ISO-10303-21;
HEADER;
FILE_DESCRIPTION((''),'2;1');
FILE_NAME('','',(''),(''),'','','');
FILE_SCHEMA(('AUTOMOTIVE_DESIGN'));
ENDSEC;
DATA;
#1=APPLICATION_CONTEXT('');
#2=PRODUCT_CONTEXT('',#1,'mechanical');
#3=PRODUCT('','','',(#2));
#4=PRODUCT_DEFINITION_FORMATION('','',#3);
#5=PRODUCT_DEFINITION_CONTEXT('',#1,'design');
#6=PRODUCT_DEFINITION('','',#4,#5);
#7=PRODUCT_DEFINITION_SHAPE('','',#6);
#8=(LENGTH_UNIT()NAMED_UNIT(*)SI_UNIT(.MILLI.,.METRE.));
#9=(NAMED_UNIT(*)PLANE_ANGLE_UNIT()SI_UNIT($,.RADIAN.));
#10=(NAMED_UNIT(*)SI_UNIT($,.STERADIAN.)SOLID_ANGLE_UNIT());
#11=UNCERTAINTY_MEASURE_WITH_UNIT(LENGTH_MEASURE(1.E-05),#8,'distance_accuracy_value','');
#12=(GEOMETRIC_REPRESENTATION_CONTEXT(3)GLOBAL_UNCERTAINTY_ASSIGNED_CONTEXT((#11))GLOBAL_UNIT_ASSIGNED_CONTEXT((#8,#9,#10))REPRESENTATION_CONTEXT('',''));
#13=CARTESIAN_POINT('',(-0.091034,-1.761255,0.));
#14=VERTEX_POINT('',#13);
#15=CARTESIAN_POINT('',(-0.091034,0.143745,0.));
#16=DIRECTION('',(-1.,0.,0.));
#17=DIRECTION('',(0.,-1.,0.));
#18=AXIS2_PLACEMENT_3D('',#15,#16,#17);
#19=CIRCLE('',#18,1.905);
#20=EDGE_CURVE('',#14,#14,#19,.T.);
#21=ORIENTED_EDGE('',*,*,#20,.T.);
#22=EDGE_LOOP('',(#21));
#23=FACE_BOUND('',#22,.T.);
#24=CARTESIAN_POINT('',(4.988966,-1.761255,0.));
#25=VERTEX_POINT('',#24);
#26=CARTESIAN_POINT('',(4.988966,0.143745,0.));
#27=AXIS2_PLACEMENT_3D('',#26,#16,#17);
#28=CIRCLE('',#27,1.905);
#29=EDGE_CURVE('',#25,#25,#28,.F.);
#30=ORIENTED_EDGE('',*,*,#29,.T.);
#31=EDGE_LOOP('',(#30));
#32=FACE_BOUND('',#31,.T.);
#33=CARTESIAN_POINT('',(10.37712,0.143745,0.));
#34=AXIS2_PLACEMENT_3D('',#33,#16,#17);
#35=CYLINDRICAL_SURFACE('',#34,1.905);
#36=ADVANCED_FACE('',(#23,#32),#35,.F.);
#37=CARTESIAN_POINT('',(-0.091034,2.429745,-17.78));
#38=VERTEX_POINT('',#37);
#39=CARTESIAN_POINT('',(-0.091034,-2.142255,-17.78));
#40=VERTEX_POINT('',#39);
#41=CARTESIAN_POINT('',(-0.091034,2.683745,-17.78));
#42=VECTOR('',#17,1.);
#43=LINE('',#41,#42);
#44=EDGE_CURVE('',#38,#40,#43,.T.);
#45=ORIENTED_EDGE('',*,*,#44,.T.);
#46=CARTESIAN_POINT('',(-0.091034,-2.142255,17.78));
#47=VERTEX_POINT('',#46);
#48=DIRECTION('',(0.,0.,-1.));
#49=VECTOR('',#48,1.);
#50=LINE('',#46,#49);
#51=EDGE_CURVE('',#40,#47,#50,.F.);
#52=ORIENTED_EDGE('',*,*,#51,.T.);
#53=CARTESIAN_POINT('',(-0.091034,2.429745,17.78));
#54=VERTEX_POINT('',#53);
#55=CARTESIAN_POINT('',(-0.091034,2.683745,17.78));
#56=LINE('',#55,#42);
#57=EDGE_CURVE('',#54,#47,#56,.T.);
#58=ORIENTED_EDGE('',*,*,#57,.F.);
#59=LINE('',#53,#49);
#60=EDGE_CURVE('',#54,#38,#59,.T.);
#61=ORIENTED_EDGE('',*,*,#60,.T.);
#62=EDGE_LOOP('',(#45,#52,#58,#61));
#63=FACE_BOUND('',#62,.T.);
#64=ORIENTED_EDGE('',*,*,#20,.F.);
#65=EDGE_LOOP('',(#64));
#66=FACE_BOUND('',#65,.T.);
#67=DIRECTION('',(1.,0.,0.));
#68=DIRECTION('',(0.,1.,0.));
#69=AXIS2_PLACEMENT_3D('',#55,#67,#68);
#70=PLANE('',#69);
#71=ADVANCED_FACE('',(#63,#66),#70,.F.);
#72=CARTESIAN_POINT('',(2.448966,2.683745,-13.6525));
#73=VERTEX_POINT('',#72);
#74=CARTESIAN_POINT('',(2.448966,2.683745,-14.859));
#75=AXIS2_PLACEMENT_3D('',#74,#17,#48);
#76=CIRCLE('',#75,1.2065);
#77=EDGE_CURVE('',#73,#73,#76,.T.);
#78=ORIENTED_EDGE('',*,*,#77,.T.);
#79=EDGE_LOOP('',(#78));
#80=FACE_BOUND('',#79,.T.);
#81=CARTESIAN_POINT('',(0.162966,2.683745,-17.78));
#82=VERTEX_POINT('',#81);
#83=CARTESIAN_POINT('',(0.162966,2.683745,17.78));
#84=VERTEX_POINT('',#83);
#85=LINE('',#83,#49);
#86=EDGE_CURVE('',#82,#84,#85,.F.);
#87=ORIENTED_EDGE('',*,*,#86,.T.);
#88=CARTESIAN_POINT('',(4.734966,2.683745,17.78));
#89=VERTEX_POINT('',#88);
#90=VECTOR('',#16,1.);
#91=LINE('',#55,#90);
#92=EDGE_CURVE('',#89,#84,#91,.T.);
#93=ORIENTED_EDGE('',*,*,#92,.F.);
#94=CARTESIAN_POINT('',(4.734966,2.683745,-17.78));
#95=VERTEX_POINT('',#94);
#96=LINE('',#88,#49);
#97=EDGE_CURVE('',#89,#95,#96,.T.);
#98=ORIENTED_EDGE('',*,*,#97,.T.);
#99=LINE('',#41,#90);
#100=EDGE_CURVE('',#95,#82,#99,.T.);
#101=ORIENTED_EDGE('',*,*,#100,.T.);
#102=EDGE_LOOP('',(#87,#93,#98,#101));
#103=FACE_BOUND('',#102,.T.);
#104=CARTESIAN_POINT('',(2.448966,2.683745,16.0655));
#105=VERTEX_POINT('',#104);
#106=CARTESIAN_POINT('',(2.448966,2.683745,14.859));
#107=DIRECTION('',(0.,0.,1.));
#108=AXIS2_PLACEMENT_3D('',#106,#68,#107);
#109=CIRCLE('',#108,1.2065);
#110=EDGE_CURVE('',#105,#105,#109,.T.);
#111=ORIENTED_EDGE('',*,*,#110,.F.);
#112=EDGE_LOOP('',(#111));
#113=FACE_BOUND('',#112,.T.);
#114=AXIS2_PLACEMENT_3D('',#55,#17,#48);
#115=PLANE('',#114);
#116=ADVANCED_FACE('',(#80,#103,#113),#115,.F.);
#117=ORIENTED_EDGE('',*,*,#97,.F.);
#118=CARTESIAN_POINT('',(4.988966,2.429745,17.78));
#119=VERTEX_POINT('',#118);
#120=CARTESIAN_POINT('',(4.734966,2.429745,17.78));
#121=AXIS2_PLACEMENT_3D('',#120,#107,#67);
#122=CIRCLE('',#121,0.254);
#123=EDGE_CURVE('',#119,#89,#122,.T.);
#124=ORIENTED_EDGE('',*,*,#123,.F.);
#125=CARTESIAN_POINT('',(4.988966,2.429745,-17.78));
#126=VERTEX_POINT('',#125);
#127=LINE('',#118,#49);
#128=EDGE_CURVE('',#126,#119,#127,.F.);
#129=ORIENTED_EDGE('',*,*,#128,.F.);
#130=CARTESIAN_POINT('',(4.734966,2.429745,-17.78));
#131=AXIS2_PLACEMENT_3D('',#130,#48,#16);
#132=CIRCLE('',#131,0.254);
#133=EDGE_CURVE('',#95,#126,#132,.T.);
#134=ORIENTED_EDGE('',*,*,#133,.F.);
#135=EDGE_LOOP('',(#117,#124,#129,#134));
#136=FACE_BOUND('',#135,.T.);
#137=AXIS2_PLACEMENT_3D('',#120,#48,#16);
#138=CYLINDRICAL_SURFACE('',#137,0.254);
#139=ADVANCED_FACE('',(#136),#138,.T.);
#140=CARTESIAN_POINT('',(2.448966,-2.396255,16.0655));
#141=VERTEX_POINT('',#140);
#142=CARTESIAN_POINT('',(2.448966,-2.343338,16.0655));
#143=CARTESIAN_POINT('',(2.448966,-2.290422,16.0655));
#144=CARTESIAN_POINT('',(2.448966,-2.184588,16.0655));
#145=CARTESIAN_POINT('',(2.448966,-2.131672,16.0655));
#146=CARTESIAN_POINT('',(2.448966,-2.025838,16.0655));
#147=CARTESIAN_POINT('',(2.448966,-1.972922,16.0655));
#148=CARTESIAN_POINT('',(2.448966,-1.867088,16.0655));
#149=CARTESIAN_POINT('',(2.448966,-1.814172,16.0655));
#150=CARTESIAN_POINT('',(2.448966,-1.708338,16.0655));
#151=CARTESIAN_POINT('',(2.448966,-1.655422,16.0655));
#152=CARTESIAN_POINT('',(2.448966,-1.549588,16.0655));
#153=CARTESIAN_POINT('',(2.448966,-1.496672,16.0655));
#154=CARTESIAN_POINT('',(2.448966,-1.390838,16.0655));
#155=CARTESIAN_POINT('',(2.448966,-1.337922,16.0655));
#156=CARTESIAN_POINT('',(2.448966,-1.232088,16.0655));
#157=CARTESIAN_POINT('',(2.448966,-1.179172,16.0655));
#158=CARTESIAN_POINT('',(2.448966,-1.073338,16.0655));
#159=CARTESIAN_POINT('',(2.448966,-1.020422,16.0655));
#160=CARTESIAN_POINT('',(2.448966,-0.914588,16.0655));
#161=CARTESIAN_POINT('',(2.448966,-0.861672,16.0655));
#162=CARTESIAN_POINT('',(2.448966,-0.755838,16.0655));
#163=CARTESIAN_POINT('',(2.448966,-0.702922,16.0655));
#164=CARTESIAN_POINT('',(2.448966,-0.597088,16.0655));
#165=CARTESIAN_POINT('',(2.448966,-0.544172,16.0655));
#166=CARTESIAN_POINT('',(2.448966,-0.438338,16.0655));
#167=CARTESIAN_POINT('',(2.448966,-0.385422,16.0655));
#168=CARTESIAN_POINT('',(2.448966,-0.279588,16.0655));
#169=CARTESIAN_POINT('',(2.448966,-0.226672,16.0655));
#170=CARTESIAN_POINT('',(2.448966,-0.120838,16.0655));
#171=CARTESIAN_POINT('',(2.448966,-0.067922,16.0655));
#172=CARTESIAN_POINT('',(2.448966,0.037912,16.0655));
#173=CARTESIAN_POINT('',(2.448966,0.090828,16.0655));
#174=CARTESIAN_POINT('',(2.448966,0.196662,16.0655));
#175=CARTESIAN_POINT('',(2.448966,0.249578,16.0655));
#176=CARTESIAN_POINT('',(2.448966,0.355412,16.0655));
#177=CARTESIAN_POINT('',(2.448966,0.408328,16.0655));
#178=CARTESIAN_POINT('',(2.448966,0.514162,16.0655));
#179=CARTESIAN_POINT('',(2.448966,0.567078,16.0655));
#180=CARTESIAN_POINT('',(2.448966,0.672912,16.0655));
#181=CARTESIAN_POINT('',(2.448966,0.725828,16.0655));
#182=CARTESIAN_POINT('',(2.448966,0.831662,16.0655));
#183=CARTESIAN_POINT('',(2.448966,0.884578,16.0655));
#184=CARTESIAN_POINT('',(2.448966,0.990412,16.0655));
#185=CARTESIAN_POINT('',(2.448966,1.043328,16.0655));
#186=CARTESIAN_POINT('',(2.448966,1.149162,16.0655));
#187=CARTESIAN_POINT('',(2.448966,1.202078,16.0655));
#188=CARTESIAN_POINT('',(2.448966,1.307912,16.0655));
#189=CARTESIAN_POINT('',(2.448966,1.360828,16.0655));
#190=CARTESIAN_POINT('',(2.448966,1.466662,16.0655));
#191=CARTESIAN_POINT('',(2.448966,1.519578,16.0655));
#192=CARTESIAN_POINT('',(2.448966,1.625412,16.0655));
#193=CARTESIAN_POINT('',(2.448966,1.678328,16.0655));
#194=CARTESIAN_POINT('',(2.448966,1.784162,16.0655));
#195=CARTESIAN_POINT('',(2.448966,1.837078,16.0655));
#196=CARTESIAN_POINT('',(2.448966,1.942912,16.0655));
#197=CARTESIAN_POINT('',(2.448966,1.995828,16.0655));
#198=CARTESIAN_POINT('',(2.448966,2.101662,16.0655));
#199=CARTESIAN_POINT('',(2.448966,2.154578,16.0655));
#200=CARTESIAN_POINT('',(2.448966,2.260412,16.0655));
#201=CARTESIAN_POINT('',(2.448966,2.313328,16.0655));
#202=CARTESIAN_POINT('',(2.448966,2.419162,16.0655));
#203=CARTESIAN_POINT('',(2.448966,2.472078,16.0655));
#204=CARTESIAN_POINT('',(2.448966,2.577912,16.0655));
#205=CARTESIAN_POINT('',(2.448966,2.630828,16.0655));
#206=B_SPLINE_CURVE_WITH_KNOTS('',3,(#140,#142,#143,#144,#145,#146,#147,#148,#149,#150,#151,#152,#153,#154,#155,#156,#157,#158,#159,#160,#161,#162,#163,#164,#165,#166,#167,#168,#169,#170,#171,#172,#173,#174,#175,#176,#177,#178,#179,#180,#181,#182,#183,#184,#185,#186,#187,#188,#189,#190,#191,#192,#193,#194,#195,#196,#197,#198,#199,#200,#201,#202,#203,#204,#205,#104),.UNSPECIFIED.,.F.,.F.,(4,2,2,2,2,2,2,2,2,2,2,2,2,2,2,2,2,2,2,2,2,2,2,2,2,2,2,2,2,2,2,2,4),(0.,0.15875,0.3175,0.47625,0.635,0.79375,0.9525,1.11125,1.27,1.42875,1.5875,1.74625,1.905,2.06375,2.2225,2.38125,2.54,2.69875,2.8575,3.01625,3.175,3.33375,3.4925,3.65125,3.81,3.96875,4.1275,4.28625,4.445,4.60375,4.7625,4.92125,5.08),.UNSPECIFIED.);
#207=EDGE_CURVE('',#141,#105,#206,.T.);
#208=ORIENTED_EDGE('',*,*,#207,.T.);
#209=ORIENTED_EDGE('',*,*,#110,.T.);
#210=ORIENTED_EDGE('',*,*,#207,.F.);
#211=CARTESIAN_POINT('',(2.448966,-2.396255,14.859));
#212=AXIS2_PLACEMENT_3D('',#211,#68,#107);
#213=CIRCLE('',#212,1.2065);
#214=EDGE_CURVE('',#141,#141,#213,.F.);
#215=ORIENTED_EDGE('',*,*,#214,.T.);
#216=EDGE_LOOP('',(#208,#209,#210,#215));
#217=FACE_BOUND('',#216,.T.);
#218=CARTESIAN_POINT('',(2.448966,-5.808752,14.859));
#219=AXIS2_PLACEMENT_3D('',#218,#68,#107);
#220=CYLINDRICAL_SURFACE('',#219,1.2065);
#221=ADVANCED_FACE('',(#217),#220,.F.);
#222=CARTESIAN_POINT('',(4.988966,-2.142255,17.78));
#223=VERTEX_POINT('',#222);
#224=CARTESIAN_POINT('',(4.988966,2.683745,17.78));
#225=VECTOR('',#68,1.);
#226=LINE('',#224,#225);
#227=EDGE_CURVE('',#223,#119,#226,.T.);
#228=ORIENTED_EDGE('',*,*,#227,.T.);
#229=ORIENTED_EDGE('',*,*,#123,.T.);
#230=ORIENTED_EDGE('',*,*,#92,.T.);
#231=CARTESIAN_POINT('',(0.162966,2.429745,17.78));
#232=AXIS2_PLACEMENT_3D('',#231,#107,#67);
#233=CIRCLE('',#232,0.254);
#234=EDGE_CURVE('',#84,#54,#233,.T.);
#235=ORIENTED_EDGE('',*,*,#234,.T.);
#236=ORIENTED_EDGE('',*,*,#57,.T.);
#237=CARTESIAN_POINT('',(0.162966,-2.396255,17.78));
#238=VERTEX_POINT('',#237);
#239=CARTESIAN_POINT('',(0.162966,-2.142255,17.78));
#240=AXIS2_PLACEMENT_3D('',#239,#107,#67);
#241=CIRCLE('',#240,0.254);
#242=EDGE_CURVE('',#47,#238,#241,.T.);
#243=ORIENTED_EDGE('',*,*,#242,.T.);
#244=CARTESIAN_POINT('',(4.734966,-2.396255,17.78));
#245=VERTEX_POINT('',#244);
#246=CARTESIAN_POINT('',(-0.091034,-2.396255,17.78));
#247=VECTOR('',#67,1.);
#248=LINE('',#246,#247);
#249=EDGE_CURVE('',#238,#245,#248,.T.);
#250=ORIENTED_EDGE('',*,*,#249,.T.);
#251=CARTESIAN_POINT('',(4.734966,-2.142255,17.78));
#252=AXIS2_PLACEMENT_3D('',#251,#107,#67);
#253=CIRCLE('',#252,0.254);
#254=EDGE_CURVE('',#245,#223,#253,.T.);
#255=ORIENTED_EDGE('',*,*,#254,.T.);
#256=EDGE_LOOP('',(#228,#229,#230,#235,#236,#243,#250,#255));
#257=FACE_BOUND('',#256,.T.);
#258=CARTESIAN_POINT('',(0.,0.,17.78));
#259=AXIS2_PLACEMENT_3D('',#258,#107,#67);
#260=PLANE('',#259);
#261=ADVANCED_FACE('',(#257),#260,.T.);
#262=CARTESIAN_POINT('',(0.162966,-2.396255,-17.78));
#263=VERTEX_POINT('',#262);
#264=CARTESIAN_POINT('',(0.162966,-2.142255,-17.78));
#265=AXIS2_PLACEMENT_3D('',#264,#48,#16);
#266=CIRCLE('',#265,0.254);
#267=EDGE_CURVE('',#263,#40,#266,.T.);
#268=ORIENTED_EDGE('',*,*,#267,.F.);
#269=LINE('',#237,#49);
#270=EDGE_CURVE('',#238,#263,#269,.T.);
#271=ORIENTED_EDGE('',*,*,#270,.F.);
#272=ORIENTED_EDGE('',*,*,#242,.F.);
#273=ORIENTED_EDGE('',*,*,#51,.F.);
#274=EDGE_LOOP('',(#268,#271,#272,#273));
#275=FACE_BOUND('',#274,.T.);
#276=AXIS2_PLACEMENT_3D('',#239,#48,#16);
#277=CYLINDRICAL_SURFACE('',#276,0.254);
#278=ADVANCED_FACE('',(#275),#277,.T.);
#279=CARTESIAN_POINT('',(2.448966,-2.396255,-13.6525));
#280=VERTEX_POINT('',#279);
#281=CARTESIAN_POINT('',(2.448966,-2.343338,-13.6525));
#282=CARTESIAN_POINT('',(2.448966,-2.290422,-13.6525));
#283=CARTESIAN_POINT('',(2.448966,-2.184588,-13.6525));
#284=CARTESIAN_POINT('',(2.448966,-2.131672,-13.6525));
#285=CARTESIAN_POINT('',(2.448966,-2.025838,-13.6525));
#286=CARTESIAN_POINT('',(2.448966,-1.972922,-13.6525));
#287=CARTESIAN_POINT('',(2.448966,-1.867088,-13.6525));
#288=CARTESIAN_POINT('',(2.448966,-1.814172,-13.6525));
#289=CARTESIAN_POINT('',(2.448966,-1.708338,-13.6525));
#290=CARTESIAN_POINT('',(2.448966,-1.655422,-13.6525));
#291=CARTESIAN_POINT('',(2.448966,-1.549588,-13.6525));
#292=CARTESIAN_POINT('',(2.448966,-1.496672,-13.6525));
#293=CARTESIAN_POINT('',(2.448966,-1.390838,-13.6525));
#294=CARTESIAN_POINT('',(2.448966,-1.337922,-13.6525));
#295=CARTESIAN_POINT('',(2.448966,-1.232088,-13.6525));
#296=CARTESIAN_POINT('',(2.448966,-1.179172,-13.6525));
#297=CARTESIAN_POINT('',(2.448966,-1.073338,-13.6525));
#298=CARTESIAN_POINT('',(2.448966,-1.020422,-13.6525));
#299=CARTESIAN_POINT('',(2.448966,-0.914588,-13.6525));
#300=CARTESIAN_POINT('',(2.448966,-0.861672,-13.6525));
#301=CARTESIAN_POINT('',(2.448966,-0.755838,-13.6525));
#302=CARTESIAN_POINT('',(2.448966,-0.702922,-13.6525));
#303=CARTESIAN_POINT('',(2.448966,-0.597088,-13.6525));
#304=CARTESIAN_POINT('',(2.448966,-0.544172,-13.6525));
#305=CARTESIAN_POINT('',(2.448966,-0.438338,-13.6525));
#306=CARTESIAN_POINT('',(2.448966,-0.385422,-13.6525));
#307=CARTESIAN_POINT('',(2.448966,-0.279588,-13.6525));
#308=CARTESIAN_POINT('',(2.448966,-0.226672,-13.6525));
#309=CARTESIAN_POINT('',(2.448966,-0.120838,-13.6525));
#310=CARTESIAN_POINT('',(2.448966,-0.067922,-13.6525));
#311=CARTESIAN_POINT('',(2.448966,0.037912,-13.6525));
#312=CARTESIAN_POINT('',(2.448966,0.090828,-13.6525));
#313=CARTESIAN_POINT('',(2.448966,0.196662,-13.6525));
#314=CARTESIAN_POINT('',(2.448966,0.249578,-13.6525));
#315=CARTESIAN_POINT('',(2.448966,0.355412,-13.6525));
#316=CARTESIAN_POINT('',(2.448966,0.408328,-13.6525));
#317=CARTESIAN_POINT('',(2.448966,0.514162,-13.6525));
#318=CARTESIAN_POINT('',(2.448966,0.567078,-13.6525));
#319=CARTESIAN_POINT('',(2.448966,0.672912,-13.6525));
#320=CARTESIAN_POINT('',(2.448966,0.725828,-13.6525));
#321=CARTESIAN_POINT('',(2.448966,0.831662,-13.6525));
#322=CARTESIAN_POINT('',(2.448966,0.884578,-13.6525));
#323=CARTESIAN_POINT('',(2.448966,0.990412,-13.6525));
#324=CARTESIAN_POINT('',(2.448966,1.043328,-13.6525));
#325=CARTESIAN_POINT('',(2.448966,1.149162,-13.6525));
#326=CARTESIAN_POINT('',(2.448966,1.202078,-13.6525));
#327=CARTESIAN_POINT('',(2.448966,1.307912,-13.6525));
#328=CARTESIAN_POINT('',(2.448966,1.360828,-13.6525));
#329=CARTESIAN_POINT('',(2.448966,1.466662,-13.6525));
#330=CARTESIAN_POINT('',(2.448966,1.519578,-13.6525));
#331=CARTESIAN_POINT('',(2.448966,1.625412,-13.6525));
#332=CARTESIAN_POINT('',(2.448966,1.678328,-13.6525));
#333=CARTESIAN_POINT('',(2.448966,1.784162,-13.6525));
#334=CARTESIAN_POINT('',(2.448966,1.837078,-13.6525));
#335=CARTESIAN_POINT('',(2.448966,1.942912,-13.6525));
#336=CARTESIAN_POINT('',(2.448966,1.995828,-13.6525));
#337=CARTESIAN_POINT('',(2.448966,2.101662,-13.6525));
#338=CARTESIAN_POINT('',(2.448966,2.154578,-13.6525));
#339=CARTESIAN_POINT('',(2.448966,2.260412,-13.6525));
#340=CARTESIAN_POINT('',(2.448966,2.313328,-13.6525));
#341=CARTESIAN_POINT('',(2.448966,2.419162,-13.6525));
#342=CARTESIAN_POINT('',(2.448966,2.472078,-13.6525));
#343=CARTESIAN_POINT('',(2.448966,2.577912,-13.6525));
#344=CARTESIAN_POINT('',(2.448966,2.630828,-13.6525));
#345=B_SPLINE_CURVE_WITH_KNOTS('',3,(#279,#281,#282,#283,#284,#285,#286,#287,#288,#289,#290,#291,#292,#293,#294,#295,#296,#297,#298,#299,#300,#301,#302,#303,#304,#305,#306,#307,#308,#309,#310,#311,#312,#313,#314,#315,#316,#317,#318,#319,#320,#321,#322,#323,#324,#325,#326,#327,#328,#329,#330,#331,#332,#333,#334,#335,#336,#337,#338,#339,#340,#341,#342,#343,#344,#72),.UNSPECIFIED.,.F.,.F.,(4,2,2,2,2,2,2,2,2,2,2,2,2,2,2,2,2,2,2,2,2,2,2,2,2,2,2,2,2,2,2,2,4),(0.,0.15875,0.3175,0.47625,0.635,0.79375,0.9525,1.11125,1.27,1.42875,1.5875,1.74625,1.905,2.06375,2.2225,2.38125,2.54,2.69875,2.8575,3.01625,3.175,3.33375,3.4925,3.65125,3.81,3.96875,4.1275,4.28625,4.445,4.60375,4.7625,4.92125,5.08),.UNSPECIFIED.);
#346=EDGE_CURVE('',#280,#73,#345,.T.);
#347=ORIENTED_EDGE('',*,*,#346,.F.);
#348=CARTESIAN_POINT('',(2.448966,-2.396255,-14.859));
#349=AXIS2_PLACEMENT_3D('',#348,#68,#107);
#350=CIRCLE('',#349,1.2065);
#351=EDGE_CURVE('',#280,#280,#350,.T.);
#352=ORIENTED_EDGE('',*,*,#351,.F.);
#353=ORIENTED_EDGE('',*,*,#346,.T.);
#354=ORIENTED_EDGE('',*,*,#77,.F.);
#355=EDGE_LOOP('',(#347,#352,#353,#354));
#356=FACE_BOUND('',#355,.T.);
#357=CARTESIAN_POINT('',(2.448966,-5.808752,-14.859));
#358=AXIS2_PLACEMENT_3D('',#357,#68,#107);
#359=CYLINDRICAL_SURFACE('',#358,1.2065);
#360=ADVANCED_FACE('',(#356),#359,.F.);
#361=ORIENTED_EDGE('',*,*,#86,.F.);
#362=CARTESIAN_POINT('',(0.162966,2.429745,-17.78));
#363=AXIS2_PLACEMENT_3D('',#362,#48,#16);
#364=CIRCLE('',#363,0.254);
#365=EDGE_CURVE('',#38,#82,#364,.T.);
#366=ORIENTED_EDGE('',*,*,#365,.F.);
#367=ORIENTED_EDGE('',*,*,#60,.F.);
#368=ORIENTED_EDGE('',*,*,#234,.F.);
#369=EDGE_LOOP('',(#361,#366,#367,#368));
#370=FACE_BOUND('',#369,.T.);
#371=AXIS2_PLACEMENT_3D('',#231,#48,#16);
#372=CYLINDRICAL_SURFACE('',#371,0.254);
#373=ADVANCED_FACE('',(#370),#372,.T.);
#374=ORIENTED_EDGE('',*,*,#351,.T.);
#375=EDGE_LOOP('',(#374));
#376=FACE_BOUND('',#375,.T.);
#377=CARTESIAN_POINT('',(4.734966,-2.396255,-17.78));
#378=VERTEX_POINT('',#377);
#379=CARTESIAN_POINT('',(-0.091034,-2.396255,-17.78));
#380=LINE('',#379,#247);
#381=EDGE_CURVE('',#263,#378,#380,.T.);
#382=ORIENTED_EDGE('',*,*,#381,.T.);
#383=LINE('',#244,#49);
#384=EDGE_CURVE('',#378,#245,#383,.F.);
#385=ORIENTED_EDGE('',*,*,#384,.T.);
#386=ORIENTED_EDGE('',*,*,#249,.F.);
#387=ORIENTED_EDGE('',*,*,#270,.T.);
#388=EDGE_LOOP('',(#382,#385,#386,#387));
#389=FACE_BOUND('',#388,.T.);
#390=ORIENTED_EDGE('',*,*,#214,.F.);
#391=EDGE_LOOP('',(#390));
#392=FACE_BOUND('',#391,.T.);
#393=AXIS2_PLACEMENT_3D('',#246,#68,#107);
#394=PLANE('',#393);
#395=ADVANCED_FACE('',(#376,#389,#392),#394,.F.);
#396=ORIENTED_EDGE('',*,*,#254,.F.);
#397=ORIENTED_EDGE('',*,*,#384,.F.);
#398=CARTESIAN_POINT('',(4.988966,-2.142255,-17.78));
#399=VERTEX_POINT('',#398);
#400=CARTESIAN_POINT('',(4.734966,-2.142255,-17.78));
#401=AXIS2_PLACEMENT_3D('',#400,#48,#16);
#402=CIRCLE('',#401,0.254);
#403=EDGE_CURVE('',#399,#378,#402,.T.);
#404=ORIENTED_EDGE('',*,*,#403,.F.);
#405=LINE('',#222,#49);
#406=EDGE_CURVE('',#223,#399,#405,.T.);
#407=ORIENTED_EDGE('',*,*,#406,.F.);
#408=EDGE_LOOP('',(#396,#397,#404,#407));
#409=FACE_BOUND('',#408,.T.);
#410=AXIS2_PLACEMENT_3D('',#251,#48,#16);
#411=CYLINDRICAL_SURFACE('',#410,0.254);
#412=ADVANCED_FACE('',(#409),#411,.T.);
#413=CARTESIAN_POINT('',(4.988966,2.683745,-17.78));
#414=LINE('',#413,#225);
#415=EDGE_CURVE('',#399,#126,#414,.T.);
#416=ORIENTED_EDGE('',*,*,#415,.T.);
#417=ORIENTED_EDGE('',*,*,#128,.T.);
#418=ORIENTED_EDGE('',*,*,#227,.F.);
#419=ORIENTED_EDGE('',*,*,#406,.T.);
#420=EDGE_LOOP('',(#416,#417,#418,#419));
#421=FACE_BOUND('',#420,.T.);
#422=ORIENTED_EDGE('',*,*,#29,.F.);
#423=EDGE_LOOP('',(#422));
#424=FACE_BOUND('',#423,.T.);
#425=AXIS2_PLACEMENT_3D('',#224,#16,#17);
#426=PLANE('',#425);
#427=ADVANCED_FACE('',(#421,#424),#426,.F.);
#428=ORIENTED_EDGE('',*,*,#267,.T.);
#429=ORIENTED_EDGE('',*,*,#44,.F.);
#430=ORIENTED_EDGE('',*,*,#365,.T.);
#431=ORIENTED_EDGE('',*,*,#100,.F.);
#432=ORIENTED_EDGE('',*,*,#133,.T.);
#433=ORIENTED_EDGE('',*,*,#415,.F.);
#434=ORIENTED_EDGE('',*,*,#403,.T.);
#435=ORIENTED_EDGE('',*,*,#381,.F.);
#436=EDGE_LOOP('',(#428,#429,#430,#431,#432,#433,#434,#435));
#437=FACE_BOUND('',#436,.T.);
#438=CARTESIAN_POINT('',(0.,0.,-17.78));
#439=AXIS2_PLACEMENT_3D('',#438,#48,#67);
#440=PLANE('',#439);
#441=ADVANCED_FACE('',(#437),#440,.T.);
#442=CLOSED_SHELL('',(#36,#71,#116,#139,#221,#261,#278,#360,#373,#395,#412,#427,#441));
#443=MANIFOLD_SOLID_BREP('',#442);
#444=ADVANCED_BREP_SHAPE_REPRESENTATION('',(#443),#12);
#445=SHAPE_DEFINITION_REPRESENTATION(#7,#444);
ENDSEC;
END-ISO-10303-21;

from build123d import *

# Parameters (mm, degrees)
SKETCH7_W           = 5.08
SKETCH7_H           = 5.08
BOSS_EXTRUDE3_DEPTH = 17.78
SKETCH8_R           = 1.2065
CUT_EXTRUDE1_DEPTH  = 5.08
FILLET1_R           = 0.254
SKETCH11_R          = 1.905
CUT_EXTRUDE2_DEPTH  = 5.08


with BuildPart() as part:
    # Sketch7 → Boss-Extrude3 (new body)
    with BuildSketch(Plane.XY):
        with Locations((2.448966181, 0.143745058)):
            Rectangle(SKETCH7_W, SKETCH7_H)
    boss_extrude3 = extrude(amount=BOSS_EXTRUDE3_DEPTH)

    # Sketch8 → Cut-Extrude1 (cut)
    with BuildSketch(Plane(origin=(0, 2.683745058, 0), x_dir=(1, 0, 0), z_dir=(0, 1, 0))):
        with Locations(Location((2.448966181, -14.859, 0), (0, 0, 270))):
            Circle(SKETCH8_R)
    cut_extrude1 = extrude(amount=-CUT_EXTRUDE1_DEPTH, mode=Mode.SUBTRACT)

    # Mirror2: Boss-Extrude3, Cut-Extrude1 across plane
    add(boss_extrude3.mirror(Plane.XY))
    add(cut_extrude1.mirror(Plane.XY), mode=Mode.SUBTRACT)

    # Fillet1
    fillet1_edges = [part.edges().sort_by_distance(p)[0] for p in [
        (-0.091033819, 2.683745058, 0),
        (4.988966181, 2.683745058, 0),
        (4.988966181, -2.396254942, 0),
        (-0.091033819, -2.396254942, 0),
    ]]
    fillet(fillet1_edges, radius=FILLET1_R)

    # Sketch11 → Cut-Extrude2 (cut)
    with BuildSketch(Plane.ZY.offset(0.091033819)):
        with Locations(Location((0, 0.143745058, 0), (0, 0, 270))):
            Circle(SKETCH11_R)
    extrude(amount=-CUT_EXTRUDE2_DEPTH, mode=Mode.SUBTRACT)


solid = part.part
